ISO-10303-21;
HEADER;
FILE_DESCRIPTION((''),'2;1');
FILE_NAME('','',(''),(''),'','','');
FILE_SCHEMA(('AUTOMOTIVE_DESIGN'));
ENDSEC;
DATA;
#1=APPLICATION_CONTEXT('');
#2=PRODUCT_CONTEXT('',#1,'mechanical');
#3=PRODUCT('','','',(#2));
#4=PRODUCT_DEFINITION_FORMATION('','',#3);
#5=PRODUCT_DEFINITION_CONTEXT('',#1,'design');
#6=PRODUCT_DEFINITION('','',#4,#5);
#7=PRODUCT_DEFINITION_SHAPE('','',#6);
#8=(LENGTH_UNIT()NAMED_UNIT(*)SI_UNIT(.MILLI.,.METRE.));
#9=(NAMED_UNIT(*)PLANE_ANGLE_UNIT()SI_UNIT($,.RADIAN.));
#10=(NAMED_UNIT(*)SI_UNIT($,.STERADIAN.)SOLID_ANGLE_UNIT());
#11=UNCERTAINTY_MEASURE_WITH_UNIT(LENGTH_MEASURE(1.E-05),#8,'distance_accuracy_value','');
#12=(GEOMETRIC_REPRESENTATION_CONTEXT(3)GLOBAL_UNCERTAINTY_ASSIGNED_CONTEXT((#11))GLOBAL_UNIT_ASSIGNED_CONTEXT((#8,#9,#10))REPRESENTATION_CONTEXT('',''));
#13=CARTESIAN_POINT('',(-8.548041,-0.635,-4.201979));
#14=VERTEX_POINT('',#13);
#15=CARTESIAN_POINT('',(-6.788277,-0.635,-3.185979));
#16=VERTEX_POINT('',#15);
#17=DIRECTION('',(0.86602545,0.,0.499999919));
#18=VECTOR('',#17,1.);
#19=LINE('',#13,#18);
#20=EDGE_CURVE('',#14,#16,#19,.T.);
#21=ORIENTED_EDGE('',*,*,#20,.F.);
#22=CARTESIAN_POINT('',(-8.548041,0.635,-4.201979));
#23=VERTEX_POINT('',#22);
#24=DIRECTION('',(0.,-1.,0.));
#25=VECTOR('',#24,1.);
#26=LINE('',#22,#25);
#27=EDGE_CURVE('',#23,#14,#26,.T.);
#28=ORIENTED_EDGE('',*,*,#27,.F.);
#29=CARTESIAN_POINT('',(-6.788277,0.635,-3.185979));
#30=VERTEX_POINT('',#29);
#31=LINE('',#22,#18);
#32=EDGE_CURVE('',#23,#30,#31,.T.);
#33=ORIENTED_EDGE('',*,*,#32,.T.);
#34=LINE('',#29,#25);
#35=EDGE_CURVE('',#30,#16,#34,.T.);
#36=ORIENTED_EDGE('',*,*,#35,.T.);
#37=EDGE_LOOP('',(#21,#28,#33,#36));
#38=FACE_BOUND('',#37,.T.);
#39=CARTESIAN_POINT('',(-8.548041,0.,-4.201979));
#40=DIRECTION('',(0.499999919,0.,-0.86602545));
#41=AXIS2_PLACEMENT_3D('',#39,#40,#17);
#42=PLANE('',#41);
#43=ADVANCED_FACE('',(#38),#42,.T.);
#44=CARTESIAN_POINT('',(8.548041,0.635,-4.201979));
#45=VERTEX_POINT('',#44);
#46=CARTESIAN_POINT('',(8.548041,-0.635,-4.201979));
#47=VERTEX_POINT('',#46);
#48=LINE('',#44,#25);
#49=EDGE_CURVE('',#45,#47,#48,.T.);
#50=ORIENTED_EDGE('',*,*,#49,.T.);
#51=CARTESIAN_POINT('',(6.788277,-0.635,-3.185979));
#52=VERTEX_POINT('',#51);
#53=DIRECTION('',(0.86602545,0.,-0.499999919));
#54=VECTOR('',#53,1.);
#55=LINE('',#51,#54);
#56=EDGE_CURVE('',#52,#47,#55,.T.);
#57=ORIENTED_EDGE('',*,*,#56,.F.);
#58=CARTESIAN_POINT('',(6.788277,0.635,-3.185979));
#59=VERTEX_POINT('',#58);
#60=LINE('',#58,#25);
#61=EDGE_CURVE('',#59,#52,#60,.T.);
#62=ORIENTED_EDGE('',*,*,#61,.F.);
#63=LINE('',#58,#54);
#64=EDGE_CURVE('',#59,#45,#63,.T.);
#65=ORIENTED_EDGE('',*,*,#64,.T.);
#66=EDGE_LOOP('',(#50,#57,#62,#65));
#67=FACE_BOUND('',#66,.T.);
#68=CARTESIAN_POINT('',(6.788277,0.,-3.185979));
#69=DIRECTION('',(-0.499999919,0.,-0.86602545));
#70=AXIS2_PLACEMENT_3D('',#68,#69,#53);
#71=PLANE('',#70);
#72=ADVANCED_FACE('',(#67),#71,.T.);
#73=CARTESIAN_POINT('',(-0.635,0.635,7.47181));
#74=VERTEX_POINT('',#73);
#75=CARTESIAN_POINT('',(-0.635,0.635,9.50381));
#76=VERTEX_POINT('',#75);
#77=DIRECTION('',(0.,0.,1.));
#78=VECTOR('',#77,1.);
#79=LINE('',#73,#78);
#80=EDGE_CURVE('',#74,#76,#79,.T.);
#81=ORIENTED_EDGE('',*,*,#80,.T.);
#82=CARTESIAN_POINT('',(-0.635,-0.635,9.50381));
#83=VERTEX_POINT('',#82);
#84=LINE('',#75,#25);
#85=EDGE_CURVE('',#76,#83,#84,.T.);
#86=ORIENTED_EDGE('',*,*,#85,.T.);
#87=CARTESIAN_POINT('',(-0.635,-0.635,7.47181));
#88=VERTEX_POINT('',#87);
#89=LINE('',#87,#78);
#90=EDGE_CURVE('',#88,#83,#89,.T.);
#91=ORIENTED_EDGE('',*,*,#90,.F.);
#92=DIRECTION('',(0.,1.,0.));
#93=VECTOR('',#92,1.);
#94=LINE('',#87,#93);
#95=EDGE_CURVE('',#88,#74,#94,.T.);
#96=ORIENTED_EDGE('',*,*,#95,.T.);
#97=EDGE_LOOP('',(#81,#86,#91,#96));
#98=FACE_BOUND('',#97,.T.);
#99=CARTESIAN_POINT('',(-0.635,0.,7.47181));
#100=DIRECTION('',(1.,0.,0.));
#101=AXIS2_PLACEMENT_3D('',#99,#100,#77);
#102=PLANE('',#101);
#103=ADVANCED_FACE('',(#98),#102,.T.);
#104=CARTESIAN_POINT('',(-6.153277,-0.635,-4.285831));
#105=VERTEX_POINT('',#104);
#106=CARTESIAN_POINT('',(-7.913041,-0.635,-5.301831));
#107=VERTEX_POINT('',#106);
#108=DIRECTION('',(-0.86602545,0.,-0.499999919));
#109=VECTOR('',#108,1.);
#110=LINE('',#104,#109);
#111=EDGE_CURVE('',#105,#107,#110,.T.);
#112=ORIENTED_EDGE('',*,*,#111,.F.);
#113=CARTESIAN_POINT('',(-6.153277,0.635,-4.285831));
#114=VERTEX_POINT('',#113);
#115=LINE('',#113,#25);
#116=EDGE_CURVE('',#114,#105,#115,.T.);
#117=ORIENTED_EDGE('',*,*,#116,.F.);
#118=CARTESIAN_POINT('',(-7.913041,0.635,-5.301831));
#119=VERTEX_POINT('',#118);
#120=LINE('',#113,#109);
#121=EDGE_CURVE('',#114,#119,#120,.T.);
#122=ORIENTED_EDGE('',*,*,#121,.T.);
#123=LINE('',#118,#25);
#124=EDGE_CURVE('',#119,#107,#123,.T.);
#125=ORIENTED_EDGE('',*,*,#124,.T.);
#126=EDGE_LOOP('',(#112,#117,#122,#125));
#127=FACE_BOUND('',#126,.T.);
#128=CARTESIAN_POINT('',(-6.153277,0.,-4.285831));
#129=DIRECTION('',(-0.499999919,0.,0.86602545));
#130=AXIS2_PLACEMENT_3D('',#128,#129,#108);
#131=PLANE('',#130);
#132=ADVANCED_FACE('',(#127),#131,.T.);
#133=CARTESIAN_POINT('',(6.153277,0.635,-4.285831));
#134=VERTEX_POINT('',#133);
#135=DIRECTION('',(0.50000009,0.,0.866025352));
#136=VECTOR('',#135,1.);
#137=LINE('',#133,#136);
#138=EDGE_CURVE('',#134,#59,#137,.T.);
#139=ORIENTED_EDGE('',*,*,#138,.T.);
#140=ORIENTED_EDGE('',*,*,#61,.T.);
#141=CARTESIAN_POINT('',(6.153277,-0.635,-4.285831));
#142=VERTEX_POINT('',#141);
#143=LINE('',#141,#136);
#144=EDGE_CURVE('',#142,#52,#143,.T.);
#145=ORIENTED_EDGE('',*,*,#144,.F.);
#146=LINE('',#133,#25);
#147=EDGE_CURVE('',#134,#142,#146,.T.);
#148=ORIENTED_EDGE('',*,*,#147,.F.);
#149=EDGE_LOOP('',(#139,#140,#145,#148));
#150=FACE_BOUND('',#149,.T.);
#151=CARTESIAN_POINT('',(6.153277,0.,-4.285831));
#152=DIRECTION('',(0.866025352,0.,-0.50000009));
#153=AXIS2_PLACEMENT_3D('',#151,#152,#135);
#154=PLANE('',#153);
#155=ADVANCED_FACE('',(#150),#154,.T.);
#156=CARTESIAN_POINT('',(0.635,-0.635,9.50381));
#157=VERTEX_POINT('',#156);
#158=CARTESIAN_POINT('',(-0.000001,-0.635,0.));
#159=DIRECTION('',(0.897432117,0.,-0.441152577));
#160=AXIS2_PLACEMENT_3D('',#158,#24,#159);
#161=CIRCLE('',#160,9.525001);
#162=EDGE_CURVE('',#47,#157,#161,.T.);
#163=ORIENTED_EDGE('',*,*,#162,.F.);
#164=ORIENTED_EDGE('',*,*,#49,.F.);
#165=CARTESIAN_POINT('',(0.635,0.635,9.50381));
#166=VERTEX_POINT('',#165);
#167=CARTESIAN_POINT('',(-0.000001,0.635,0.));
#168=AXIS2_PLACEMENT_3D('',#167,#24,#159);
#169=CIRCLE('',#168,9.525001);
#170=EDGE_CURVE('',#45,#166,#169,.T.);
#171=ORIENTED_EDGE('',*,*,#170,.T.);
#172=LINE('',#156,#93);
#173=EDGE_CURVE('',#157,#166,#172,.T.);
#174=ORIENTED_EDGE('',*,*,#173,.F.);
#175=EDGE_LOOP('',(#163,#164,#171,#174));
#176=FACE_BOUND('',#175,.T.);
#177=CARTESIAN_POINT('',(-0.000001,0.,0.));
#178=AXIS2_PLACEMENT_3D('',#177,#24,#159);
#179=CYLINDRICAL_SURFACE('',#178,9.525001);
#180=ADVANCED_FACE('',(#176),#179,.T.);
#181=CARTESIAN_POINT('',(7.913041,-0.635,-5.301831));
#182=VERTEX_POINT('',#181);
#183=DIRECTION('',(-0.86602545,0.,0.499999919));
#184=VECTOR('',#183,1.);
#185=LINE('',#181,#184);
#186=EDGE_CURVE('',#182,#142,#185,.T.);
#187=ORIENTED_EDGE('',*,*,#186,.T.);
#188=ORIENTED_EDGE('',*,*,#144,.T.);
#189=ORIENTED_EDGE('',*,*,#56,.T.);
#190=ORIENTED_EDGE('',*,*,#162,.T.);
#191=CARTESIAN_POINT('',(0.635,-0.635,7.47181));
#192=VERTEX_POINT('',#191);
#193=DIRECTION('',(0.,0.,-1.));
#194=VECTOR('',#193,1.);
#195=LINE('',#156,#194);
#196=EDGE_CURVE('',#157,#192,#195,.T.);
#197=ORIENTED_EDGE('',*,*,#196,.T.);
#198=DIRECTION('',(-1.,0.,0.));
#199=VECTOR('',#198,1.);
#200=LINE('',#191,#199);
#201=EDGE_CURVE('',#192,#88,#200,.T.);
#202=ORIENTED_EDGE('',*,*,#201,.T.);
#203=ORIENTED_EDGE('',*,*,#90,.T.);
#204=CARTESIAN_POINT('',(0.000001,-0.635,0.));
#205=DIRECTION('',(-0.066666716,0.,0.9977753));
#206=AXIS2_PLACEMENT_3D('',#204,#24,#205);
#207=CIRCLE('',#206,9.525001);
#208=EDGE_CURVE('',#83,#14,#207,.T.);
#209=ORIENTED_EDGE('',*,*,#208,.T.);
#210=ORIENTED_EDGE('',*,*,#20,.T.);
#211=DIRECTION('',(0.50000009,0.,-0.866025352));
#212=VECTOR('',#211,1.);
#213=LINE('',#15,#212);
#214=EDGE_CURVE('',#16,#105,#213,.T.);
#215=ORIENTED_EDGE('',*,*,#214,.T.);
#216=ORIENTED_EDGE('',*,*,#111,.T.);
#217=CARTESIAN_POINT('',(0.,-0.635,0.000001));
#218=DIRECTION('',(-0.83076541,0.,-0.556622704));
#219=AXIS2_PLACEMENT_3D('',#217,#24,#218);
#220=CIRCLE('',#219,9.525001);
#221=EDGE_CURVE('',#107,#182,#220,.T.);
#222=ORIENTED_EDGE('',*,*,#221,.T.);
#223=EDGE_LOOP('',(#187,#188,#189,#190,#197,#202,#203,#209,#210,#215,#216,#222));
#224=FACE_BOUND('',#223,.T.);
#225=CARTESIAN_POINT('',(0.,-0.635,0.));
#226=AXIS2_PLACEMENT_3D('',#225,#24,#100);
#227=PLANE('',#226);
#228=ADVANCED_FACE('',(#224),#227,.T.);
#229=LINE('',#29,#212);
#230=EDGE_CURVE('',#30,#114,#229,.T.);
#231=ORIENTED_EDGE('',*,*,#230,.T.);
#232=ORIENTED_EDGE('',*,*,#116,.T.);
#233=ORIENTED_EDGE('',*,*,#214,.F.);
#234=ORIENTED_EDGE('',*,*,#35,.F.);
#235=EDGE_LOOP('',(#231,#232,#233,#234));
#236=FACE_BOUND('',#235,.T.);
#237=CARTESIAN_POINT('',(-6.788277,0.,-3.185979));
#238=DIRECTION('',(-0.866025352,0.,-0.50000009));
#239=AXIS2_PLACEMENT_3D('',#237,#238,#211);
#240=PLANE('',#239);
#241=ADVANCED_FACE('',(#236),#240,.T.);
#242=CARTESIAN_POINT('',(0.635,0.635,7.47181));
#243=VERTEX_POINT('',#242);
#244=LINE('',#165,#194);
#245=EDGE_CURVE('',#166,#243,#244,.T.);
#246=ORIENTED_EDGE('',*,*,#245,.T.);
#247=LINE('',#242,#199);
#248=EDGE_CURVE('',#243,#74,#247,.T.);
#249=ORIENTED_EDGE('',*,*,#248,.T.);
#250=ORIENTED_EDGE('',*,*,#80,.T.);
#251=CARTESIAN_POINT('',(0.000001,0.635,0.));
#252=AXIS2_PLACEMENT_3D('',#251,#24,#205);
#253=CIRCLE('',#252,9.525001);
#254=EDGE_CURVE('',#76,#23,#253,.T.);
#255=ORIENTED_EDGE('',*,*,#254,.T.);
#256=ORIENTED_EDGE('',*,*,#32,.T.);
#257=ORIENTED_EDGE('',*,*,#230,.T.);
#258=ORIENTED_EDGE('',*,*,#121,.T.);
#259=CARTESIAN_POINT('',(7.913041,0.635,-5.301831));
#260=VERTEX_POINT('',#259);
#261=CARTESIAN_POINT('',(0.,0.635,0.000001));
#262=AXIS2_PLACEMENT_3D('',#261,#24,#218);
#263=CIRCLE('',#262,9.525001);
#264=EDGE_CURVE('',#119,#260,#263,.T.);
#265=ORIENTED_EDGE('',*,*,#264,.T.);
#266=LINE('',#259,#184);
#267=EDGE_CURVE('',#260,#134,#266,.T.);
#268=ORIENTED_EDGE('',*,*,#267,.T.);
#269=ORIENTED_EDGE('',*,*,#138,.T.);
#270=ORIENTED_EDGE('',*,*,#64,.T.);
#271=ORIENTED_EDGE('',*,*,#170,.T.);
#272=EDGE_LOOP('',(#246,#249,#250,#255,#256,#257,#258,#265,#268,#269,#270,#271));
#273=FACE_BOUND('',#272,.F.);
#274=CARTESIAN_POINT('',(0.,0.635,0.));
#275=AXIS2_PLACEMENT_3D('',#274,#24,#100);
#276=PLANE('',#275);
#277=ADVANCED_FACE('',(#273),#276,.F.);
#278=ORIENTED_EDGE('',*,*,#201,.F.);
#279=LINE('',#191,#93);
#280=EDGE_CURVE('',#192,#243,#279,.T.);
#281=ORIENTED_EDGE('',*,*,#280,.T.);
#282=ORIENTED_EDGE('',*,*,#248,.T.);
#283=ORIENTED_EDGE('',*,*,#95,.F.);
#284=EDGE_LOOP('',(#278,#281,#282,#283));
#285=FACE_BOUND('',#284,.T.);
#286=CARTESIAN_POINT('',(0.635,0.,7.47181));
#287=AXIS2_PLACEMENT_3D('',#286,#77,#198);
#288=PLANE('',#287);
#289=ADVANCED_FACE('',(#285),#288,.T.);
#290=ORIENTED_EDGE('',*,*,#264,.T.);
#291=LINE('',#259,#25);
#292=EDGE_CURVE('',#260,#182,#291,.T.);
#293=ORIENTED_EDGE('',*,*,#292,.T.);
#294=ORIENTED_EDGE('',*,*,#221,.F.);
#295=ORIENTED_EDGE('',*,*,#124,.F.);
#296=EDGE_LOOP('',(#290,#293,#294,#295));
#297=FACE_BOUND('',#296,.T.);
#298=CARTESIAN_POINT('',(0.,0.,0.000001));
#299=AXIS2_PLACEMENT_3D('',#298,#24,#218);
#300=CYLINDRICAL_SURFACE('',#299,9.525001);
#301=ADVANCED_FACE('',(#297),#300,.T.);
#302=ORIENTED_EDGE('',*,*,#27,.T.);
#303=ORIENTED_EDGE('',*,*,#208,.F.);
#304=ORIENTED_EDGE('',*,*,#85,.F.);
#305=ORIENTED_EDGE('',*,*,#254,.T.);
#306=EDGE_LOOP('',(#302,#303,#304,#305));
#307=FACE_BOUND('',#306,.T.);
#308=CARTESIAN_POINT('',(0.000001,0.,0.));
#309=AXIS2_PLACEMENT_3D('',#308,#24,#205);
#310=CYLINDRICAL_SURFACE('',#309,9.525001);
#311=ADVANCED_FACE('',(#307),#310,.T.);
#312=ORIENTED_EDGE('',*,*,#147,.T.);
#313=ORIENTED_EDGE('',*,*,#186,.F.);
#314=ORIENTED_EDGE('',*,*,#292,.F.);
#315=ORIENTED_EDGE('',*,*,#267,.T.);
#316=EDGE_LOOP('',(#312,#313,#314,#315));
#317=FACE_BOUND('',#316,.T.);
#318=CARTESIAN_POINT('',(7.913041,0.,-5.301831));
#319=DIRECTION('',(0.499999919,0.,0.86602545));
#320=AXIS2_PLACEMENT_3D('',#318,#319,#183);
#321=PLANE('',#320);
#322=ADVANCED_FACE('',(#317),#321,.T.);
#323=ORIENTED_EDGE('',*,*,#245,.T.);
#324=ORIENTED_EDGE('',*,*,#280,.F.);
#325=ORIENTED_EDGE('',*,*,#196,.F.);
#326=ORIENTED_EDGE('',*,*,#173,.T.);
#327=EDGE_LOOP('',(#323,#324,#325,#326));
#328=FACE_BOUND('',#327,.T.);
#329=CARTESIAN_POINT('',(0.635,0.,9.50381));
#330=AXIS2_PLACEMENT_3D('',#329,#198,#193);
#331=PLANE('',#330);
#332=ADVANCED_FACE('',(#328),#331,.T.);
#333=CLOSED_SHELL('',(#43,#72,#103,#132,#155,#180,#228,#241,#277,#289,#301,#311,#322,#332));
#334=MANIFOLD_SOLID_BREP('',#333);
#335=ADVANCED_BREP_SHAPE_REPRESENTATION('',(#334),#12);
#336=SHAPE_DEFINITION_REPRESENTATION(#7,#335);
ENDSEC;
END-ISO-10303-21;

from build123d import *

# Parameters (mm, degrees)
F1_DEPTH = 0.635


with BuildPart() as f1:
    # F0 (on Front) → F1 (new body, symmetric)
    with BuildSketch(Plane.XZ):
        with BuildLine():
            Line((-0.635, 7.47181), (-0.635, 9.50381))
            ThreePointArc((-0.635, 9.50381), (-8.248892, 4.7625), (-8.548041, -4.201979))
            Line((-8.548041, -4.201979), (-6.788277, -3.185979))
            Line((-6.788277, -3.185979), (-6.153277, -4.285831))
            Line((-6.153277, -4.285831), (-7.913041, -5.301831))
            ThreePointArc((-7.913041, -5.301831), (0, -9.525), (7.913041, -5.301831))
            Line((7.913041, -5.301831), (6.153277, -4.285831))
            Line((6.153277, -4.285831), (6.788277, -3.185979))
            Line((6.788277, -3.185979), (8.548041, -4.201979))
            ThreePointArc((8.548041, -4.201979), (8.248892, 4.7625), (0.635, 9.50381))
            Line((0.635, 9.50381), (0.635, 7.47181))
            Line((0.635, 7.47181), (-0.635, 7.47181))
        make_face()
    extrude(amount=F1_DEPTH, both=True)


solid = f1.part
